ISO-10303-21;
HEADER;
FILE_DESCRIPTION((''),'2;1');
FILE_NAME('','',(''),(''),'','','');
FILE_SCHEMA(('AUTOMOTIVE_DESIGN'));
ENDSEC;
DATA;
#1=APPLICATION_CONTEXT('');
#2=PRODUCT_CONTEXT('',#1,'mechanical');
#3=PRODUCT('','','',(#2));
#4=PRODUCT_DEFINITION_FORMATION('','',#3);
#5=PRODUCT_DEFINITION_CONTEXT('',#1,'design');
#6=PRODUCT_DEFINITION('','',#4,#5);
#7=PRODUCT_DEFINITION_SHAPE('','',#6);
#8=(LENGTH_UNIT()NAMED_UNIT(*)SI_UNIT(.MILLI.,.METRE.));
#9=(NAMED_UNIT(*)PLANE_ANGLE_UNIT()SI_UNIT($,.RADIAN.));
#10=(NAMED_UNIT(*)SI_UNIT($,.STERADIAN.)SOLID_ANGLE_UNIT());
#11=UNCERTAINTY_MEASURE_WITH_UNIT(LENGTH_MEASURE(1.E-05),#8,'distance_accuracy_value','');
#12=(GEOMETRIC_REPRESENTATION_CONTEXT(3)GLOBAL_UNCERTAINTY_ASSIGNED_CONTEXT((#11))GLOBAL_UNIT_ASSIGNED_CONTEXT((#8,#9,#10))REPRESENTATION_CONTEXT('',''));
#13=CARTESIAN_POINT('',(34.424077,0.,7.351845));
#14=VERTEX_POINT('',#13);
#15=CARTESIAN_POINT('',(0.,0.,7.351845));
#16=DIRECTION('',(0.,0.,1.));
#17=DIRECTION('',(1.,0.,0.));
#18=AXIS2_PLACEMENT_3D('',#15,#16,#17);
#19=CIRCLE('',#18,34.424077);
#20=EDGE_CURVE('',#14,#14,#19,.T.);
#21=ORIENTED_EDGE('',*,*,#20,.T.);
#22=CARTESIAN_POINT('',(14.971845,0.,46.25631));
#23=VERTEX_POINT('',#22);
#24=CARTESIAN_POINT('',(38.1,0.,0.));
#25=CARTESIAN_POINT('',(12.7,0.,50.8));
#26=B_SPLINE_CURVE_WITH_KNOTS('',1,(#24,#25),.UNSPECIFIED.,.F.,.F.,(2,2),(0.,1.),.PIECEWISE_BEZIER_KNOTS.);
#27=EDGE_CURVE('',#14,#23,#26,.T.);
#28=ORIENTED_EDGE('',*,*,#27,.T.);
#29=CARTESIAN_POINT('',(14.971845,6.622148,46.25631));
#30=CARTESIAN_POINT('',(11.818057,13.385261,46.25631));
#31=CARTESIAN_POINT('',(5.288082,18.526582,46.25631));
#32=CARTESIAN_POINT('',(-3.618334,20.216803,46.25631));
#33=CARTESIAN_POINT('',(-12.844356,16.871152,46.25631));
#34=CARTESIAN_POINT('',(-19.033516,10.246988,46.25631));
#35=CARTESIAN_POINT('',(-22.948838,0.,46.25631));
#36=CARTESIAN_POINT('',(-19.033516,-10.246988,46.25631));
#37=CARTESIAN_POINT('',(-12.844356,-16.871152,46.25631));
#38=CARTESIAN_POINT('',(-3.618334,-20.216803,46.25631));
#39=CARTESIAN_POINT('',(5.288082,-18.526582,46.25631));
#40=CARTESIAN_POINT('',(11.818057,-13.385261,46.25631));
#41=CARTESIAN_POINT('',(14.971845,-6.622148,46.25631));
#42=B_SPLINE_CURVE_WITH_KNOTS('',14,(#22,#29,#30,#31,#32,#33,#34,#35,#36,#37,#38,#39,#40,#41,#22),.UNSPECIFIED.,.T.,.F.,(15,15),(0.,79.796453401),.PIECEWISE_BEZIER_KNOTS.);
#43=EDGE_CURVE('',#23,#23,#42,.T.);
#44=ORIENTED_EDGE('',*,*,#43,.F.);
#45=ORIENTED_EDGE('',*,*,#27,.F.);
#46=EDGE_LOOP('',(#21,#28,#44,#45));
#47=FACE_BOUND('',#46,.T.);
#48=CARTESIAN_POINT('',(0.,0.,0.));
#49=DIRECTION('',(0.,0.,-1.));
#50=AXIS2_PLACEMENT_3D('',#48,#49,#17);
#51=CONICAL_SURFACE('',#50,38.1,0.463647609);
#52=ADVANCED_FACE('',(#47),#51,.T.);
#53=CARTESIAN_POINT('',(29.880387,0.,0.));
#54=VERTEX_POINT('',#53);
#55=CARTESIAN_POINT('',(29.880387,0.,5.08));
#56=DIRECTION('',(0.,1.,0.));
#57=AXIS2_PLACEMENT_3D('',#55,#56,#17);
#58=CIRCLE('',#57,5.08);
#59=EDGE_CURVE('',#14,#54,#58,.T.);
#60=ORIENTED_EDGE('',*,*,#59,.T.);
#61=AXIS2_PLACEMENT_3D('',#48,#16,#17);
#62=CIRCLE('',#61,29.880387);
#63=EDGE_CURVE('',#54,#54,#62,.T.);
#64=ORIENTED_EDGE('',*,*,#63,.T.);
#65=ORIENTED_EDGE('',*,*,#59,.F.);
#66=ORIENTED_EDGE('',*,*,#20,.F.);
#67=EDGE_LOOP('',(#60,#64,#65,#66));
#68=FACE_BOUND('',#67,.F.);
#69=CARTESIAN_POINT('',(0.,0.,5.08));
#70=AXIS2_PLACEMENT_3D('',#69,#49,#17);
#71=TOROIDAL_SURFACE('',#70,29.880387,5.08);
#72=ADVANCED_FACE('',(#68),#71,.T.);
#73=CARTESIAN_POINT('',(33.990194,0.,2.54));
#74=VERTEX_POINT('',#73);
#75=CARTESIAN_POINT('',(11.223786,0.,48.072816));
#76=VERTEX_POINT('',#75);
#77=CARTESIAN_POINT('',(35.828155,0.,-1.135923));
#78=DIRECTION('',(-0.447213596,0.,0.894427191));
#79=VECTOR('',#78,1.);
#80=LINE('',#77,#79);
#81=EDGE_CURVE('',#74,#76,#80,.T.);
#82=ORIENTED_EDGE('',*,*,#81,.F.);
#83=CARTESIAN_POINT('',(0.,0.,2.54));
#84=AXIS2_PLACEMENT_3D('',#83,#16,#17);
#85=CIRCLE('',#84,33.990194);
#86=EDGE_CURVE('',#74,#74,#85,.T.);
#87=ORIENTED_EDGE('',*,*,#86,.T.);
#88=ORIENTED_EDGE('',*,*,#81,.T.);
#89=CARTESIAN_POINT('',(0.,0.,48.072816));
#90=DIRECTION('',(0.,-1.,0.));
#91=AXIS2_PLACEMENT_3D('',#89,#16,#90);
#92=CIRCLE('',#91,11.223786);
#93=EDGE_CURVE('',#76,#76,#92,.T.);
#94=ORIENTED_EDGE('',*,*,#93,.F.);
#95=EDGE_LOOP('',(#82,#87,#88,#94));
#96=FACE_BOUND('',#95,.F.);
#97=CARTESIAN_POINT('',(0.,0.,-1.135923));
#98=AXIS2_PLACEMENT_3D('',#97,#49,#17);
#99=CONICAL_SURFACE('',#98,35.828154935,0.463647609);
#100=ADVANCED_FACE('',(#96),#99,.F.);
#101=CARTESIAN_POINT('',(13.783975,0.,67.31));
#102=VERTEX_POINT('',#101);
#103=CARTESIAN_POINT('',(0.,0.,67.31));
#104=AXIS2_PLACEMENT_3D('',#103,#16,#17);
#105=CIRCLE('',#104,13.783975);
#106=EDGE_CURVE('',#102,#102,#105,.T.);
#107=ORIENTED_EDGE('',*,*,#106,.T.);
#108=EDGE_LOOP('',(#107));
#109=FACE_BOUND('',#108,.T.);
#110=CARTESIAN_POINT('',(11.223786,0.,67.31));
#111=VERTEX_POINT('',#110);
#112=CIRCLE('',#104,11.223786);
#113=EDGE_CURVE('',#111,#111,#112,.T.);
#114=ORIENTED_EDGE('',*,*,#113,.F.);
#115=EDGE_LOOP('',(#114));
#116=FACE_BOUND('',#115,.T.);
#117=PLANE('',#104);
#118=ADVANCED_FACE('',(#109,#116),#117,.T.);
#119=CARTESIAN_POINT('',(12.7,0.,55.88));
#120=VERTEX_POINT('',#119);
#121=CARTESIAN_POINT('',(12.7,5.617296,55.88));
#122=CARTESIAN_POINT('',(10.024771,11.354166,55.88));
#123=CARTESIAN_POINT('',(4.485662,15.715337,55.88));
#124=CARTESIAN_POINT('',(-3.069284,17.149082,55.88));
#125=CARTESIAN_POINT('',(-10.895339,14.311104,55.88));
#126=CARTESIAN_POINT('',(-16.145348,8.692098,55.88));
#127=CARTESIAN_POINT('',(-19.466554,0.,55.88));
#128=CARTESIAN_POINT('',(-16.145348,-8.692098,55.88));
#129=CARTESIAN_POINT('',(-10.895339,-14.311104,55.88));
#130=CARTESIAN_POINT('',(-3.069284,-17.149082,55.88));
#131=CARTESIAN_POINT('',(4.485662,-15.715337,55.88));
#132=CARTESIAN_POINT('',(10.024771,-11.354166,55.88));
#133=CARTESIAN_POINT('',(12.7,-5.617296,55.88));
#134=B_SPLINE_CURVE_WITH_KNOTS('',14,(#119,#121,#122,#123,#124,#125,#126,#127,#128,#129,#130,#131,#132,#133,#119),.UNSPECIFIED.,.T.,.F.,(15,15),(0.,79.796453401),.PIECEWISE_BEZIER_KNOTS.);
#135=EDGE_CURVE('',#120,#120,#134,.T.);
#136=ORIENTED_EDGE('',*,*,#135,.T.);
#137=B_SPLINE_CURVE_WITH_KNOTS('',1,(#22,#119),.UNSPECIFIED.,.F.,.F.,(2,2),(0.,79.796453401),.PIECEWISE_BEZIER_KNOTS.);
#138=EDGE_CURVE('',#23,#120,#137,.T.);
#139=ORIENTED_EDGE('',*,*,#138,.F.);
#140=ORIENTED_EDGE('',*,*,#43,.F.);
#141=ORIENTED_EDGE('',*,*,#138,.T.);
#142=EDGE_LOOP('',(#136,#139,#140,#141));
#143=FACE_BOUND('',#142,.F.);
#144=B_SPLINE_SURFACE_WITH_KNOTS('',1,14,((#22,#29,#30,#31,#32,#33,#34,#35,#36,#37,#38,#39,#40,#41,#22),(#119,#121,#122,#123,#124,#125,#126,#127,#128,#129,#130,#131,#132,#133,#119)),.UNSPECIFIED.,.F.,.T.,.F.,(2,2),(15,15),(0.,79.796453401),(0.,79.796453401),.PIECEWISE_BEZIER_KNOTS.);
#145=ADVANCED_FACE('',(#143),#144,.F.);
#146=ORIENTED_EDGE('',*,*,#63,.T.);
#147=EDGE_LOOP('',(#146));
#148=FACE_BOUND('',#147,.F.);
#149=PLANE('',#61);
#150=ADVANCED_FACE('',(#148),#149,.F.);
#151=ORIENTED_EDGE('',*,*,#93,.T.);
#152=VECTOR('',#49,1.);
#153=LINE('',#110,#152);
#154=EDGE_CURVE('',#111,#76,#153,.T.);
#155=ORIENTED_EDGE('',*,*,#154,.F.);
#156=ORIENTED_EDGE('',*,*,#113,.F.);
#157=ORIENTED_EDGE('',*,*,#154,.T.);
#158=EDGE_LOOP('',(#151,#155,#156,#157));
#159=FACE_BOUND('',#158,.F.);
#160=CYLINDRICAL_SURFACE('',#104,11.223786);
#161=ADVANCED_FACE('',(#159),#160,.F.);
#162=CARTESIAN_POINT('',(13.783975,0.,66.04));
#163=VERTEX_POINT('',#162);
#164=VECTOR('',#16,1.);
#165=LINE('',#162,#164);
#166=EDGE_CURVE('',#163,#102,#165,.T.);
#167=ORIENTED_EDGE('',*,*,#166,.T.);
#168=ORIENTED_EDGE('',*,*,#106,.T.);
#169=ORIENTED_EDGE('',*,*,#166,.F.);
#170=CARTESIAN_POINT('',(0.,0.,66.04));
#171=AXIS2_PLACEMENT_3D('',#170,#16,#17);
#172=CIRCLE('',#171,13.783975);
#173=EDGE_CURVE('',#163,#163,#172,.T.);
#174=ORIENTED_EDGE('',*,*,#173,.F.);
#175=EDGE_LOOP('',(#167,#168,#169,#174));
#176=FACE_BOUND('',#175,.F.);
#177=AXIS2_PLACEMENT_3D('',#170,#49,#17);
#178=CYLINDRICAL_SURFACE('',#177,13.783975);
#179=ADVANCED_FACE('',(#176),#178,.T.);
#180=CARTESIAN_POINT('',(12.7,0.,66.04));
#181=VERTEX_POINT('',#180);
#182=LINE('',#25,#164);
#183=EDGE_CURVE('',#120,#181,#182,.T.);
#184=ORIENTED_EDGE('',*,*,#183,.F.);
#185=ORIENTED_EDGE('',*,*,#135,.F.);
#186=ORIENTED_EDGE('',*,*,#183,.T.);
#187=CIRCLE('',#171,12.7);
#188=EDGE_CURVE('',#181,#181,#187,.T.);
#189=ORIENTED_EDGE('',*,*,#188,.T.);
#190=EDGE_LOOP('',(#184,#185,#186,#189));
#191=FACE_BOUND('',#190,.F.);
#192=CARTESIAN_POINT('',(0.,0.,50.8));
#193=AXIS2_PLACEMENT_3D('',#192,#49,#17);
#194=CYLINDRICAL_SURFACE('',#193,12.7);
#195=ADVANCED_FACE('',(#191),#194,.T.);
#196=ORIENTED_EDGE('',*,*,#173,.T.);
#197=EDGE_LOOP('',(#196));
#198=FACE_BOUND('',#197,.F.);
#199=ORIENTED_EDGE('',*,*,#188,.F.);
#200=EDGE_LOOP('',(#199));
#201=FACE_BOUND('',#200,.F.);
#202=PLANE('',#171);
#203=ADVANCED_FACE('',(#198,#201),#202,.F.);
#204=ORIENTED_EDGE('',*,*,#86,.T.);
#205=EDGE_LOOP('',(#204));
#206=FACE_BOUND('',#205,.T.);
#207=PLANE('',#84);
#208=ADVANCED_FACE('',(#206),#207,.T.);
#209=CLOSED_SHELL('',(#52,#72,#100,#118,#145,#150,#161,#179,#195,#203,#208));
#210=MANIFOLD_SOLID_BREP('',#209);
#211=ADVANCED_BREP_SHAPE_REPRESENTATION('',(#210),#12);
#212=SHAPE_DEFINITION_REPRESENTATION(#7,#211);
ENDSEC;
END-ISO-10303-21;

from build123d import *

# Parameters (mm, degrees)
F0_R      = 38.1
F2_R      = 12.7
F4_T      = -2.54
F5_R      = 12.7
F6_DEPTH  = 15.24
F7_R      = 10.5636642446
F8_DEPTH  = 53.34
F9_R      = 5.08
F10_SIZE  = 5.08
F11_R     = 13.7839746561
F12_DEPTH = 1.27
F13_R     = 11.2237856043
F14_DEPTH = 101.6
F16_R     = 11.2237856043
F17_DEPTH = 2.54


with BuildPart() as f3:
    # F0 (on Top) → F3 section 0
    with BuildSketch(Plane.XY):
        Circle(F0_R)
    # F2 (on offset) → F3 section 1
    with BuildSketch(Plane.XY.offset(50.8)):
        Circle(F2_R)
    loft()

    # F4
    f4_openings = [f3.faces().sort_by_distance(p)[0] for p in [
        (0, 0, 50.8),
    ]]
    offset(amount=F4_T, openings=f4_openings, kind=Kind.INTERSECTION)

    # F5 (on offset) → F6 (join)
    with BuildSketch(Plane.XY.offset(50.8)):
        Circle(F5_R)
    extrude(amount=F6_DEPTH)

    # F7 (on face) → F8 (cut)
    with BuildSketch(Plane.XY.offset(66.04)):
        Circle(F7_R)
    extrude(amount=-F8_DEPTH, mode=Mode.SUBTRACT)

    # F9
    f9_edges = [f3.edges().sort_by_distance(p)[0] for p in [
        (-38.1, 0, 0),
    ]]
    fillet(f9_edges, radius=F9_R)

    # F10
    f10_edges = [f3.edges().sort_by_distance(p)[0] for p in [
        (-12.7, 0, 50.8),
    ]]
    chamfer(f10_edges, length=F10_SIZE)

    # F11 (on face) → F12 (join)
    with BuildSketch(Plane.XY.offset(66.04)):
        Circle(F11_R)
    extrude(amount=F12_DEPTH)

    # F13 (on face) → F14 (cut)
    with BuildSketch(Plane.XY.offset(67.31)):
        Circle(F13_R)
    extrude(amount=-F14_DEPTH, mode=Mode.SUBTRACT)

    # F16 (on offset) → F17 (join)
    with BuildSketch(Plane.XY):
        Circle(F16_R)
    extrude(amount=F17_DEPTH)


solid = f3.part
